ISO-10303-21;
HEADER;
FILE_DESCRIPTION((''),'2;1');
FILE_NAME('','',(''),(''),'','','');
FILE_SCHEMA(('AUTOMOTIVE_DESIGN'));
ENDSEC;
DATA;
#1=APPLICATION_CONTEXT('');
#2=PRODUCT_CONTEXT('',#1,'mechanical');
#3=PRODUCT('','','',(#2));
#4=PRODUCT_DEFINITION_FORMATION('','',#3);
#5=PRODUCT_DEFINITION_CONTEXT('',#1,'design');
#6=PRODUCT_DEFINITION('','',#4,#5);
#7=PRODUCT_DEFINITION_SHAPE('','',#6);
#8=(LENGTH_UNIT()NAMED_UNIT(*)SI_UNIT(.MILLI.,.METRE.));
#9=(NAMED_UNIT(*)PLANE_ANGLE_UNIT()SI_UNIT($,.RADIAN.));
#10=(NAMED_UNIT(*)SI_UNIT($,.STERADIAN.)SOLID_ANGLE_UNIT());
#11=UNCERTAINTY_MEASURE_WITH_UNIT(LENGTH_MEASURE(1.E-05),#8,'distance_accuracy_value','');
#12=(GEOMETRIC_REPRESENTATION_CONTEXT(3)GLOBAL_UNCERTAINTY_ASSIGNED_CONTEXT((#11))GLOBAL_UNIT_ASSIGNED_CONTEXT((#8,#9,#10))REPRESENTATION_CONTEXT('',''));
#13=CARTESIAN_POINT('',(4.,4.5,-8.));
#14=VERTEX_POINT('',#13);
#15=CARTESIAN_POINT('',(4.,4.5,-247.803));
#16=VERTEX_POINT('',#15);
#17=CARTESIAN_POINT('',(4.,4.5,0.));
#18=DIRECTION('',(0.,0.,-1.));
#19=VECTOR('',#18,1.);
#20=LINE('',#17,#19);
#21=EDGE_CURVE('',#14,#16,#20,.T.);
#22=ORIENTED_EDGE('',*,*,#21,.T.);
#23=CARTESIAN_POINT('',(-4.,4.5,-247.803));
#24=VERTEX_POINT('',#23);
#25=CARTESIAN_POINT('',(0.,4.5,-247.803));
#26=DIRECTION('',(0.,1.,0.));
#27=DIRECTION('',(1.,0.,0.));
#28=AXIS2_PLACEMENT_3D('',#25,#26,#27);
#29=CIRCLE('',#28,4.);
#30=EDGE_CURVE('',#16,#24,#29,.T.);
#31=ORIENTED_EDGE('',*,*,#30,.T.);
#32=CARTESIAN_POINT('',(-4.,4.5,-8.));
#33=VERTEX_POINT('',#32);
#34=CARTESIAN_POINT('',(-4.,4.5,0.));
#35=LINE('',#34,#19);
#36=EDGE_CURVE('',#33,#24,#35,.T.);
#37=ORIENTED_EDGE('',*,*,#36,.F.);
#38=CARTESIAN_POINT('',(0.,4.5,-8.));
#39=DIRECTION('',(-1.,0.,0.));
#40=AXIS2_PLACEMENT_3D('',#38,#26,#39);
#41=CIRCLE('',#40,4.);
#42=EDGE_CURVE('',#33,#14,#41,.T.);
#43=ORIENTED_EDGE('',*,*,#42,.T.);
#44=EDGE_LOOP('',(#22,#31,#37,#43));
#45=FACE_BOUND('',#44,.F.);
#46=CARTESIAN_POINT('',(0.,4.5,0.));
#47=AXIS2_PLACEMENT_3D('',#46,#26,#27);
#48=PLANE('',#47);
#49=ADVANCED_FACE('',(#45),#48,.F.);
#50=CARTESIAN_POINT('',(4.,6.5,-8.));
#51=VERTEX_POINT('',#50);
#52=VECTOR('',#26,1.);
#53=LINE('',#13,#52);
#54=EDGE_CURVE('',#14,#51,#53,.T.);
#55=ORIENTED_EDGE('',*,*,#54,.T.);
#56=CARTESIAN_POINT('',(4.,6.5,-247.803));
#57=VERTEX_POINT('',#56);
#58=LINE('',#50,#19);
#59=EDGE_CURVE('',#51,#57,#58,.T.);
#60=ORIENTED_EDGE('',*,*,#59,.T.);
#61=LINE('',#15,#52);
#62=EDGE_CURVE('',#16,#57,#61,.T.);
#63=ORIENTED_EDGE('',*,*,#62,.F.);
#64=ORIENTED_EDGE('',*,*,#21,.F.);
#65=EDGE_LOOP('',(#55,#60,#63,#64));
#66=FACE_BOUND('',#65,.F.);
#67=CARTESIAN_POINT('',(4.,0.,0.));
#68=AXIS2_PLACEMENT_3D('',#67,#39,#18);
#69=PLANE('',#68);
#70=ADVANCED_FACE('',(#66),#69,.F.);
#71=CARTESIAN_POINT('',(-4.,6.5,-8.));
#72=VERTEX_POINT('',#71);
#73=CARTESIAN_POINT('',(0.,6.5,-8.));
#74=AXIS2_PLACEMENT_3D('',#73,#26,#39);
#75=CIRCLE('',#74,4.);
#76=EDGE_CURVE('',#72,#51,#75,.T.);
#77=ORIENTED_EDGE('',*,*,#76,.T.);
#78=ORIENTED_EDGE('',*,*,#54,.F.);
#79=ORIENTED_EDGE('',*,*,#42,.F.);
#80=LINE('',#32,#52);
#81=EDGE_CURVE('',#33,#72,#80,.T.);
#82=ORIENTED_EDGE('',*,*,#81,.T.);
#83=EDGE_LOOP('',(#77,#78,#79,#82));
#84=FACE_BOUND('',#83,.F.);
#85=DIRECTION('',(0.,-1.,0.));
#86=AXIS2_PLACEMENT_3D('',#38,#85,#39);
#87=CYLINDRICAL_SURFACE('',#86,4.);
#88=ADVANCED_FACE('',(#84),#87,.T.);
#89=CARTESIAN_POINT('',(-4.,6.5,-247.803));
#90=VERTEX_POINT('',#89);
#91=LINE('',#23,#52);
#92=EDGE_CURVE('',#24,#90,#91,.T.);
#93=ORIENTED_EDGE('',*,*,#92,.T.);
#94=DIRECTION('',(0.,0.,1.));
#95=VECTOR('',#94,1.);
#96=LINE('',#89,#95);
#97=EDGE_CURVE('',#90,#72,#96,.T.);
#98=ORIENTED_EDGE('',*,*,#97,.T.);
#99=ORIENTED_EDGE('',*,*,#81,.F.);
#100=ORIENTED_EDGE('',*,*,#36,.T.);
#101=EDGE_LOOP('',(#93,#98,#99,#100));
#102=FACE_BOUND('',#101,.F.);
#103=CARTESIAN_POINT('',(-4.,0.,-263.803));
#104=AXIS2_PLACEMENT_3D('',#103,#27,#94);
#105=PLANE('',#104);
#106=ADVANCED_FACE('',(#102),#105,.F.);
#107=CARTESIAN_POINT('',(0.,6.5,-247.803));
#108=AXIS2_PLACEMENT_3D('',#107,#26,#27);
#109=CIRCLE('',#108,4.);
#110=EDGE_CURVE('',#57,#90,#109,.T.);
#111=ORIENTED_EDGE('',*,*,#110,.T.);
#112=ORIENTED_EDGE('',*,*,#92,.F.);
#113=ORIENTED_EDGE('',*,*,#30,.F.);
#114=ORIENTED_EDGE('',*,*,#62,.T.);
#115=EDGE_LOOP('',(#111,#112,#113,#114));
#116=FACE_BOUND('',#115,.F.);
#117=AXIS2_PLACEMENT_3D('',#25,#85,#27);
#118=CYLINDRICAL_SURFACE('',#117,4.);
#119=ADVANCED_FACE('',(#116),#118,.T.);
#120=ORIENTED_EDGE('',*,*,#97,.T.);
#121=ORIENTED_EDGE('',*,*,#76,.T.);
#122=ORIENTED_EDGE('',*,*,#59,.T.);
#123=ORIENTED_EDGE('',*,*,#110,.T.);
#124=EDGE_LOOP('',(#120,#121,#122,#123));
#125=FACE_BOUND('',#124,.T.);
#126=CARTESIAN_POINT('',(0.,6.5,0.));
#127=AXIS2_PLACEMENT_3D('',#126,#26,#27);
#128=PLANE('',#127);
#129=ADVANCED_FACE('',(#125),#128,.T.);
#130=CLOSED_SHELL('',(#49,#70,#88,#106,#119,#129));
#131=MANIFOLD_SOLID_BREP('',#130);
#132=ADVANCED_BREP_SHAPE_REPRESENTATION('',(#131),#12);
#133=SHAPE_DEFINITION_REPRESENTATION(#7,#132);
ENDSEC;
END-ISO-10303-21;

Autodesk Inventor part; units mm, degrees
ref_plane "YZ Plane" through (0, 0, 0) normal (1, 0, 0) x (0, 1, 0)
ref_plane "XZ Plane" through (0, 0, 0) normal (0, 1, 0) x (-1, 0, 0)
ref_plane "XY Plane" through (0, 0, 0) normal (0, 0, 1) x (1, 0, 0)
sketch "Sketch1" plane through (0, 0, 0) normal (0, 1, 0) x (-1, 0, 0)
  line L0 (0, 0) -> (0, -263.803) construction
  line L1 (-4, 0) -> (-4, -263.803)
  line L2 (4, -263.803) -> (4, 0)
  arc A0 (4, 0) -> (-4, 0) centre (0, 0) ccw
  arc A1 (-4, -263.803) -> (4, -263.803) centre (0, -263.803) ccw
  circle A2 centre (0, 0) radius 1.5
  circle A3 centre (0, -263.803) radius 1.5
  point P0 (0, -131.9015)
  dimension "d0" = 263.803
  dimension "d1" = 8
  dimension "d2" = 3
  dimension "d3" = 3
extrude "Extrusion1" add sketch "Sketch1" along normal blind 4.5
sketch "Sketch2" plane through (0, 4.5, 0) normal (0, 1, 0) x (1, 0, 0)
  line L0 (0, 8) -> (0, 247.803) construction
  line L1 (4, 8) -> (4, 247.803)
  line L2 (-4, 247.803) -> (-4, 8)
  arc A0 (-4, 8) -> (4, 8) centre (0, 8) ccw
  arc A1 (4, 247.803) -> (-4, 247.803) centre (0, 247.803) ccw
  arc A2 (4, 263.803) -> (-4, 263.803) centre (0, 263.803) ccw projected
  line L3 (-4, 263.803) -> (-4, 0) projected
  arc A3 (-4, 0) -> (4, 0) centre (0, 0) ccw projected
  line L4 (4, 0) -> (4, 263.803) projected
  circle A4 centre (0, 263.803) radius 1.5 projected
  circle A5 centre (0, 0) radius 1.5 projected
  point P0 (0, 127.9015)
  point P1 (-4, 8)
  dimension "d6" = 8
  dimension "d7" = 16
  dimension "d8" = 8
extrude "Extrusion2" add sketch "Sketch2" along normal blind 2 contours A0 L2 A1 L1
extrude "Extrusion3" cut sketch "Sketch2" against normal blind 100
sketch "Sketch3" plane through (0, 6.5, 0) normal (0, 1, 0) x (1, 0, 0)
  line L0 (4, 8) -> (4, 247.803) projected
  line L1 (-4, 247.803) -> (-4, 8) projected
  arc A0 (-4, 8) -> (4, 8) centre (0, 8) ccw projected
  line L2 (4, 8) -> (4, 247.803) projected
  arc A1 (4, 247.803) -> (-4, 247.803) centre (0, 247.803) ccw projected
  point P0 (0, 0)
properties part number "Wing_arm_3_reinforcement"
